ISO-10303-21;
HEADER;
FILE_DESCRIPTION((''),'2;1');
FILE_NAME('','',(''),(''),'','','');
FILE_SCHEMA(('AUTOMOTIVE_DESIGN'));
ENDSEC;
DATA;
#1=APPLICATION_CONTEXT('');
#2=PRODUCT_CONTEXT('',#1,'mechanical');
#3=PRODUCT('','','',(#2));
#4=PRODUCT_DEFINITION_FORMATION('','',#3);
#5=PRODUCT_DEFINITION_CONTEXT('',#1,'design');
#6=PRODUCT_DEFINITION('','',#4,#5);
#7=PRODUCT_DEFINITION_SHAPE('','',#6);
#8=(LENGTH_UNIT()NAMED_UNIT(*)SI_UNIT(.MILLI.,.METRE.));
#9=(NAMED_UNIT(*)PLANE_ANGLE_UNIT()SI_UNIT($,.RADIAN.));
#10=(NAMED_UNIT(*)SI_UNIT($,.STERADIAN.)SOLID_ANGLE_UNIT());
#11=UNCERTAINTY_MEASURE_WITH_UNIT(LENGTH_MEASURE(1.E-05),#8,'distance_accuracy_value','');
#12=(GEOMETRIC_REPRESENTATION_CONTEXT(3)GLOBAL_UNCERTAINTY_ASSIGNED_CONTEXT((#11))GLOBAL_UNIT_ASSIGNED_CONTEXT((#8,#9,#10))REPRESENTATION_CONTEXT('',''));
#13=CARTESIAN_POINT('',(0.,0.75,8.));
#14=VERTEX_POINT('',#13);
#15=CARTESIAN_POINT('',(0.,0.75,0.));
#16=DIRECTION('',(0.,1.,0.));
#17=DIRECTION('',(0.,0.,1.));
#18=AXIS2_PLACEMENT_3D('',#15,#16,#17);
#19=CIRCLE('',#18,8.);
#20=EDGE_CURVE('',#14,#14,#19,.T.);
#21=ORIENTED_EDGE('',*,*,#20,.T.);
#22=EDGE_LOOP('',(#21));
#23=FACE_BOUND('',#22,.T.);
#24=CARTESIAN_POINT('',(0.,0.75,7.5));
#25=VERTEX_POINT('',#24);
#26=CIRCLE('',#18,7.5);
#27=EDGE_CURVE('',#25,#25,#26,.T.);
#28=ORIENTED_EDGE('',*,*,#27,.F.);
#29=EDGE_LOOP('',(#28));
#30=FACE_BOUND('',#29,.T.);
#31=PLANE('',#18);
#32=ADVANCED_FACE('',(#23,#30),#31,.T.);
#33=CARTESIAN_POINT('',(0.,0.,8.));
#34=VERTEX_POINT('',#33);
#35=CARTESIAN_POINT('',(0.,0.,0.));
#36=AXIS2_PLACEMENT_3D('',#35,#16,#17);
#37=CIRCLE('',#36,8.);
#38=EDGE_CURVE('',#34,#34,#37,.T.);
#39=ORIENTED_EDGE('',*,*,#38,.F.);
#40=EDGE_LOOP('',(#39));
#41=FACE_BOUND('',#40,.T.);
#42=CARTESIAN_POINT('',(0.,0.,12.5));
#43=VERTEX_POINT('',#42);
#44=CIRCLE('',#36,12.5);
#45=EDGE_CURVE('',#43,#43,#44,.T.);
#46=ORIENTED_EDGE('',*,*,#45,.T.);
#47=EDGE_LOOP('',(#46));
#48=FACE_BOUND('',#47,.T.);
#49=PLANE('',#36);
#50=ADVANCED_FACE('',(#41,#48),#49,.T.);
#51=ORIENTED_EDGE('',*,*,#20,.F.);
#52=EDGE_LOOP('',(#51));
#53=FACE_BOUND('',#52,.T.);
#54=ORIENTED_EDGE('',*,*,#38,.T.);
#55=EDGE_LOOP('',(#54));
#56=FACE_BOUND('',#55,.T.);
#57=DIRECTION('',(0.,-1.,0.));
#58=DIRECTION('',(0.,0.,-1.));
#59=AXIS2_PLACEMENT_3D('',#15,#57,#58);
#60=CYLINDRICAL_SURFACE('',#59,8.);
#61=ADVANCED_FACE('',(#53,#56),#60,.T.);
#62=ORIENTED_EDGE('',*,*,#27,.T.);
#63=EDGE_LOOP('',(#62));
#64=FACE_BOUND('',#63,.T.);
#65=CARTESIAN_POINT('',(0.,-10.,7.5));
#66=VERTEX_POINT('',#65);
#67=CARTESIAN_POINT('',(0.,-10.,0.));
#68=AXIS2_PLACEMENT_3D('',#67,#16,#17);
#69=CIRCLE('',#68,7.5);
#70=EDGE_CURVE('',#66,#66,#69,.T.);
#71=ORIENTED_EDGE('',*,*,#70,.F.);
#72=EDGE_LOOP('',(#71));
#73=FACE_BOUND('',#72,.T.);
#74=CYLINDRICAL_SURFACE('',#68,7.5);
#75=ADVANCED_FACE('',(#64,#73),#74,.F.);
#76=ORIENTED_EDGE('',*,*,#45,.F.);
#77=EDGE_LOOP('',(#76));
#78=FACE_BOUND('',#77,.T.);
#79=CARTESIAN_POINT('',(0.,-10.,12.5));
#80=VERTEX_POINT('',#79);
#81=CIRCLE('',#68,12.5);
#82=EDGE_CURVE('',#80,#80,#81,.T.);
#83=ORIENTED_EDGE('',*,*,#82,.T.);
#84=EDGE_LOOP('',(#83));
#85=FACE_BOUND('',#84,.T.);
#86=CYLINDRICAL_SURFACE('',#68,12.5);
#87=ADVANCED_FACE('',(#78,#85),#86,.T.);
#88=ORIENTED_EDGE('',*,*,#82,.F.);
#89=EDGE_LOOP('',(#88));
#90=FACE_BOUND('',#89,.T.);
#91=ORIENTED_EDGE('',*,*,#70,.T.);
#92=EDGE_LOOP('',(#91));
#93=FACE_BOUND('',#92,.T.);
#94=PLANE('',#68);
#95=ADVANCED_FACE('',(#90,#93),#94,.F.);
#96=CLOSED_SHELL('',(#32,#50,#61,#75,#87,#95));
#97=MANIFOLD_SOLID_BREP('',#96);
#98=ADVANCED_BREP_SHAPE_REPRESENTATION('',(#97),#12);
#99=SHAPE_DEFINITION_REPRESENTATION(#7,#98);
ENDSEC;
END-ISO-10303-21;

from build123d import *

# Parameters (mm, degrees)
SKETCH1_R           = 12.5
SKETCH1_R_2         = 7.5
BOSS_EXTRUDE2_DEPTH = 10
BOSS_EXTRUDE3_START = 0.75
SKETCH2_R           = 8
SKETCH2_R_2         = 7.5
BOSS_EXTRUDE3_DEPTH = 0.75


with BuildPart() as part:
    # Sketch1 → Boss-Extrude2 (new body)
    with BuildSketch(Plane(origin=(0, 0, 0), x_dir=(1, 0, 0), z_dir=(0, 1, 0))):
        with Locations(Location((0, 0, 0), (0, 0, 270))):
            Circle(SKETCH1_R)
        with Locations(Location((0, 0, 0), (0, 0, 270))):
            Circle(SKETCH1_R_2, mode=Mode.SUBTRACT)
    extrude(amount=-BOSS_EXTRUDE2_DEPTH)

    # Sketch2 → Boss-Extrude3 (add)
    with BuildSketch(Plane(origin=(0, 0, 0), x_dir=(1, 0, 0), z_dir=(0, 1, 0)).offset(BOSS_EXTRUDE3_START)):
        with Locations(Location((0, 0, 0), (0, 0, 270))):
            Circle(SKETCH2_R)
        with Locations(Location((0, 0, 0), (0, 0, 270))):
            Circle(SKETCH2_R_2, mode=Mode.SUBTRACT)
    extrude(amount=-BOSS_EXTRUDE3_DEPTH)


solid = part.part
